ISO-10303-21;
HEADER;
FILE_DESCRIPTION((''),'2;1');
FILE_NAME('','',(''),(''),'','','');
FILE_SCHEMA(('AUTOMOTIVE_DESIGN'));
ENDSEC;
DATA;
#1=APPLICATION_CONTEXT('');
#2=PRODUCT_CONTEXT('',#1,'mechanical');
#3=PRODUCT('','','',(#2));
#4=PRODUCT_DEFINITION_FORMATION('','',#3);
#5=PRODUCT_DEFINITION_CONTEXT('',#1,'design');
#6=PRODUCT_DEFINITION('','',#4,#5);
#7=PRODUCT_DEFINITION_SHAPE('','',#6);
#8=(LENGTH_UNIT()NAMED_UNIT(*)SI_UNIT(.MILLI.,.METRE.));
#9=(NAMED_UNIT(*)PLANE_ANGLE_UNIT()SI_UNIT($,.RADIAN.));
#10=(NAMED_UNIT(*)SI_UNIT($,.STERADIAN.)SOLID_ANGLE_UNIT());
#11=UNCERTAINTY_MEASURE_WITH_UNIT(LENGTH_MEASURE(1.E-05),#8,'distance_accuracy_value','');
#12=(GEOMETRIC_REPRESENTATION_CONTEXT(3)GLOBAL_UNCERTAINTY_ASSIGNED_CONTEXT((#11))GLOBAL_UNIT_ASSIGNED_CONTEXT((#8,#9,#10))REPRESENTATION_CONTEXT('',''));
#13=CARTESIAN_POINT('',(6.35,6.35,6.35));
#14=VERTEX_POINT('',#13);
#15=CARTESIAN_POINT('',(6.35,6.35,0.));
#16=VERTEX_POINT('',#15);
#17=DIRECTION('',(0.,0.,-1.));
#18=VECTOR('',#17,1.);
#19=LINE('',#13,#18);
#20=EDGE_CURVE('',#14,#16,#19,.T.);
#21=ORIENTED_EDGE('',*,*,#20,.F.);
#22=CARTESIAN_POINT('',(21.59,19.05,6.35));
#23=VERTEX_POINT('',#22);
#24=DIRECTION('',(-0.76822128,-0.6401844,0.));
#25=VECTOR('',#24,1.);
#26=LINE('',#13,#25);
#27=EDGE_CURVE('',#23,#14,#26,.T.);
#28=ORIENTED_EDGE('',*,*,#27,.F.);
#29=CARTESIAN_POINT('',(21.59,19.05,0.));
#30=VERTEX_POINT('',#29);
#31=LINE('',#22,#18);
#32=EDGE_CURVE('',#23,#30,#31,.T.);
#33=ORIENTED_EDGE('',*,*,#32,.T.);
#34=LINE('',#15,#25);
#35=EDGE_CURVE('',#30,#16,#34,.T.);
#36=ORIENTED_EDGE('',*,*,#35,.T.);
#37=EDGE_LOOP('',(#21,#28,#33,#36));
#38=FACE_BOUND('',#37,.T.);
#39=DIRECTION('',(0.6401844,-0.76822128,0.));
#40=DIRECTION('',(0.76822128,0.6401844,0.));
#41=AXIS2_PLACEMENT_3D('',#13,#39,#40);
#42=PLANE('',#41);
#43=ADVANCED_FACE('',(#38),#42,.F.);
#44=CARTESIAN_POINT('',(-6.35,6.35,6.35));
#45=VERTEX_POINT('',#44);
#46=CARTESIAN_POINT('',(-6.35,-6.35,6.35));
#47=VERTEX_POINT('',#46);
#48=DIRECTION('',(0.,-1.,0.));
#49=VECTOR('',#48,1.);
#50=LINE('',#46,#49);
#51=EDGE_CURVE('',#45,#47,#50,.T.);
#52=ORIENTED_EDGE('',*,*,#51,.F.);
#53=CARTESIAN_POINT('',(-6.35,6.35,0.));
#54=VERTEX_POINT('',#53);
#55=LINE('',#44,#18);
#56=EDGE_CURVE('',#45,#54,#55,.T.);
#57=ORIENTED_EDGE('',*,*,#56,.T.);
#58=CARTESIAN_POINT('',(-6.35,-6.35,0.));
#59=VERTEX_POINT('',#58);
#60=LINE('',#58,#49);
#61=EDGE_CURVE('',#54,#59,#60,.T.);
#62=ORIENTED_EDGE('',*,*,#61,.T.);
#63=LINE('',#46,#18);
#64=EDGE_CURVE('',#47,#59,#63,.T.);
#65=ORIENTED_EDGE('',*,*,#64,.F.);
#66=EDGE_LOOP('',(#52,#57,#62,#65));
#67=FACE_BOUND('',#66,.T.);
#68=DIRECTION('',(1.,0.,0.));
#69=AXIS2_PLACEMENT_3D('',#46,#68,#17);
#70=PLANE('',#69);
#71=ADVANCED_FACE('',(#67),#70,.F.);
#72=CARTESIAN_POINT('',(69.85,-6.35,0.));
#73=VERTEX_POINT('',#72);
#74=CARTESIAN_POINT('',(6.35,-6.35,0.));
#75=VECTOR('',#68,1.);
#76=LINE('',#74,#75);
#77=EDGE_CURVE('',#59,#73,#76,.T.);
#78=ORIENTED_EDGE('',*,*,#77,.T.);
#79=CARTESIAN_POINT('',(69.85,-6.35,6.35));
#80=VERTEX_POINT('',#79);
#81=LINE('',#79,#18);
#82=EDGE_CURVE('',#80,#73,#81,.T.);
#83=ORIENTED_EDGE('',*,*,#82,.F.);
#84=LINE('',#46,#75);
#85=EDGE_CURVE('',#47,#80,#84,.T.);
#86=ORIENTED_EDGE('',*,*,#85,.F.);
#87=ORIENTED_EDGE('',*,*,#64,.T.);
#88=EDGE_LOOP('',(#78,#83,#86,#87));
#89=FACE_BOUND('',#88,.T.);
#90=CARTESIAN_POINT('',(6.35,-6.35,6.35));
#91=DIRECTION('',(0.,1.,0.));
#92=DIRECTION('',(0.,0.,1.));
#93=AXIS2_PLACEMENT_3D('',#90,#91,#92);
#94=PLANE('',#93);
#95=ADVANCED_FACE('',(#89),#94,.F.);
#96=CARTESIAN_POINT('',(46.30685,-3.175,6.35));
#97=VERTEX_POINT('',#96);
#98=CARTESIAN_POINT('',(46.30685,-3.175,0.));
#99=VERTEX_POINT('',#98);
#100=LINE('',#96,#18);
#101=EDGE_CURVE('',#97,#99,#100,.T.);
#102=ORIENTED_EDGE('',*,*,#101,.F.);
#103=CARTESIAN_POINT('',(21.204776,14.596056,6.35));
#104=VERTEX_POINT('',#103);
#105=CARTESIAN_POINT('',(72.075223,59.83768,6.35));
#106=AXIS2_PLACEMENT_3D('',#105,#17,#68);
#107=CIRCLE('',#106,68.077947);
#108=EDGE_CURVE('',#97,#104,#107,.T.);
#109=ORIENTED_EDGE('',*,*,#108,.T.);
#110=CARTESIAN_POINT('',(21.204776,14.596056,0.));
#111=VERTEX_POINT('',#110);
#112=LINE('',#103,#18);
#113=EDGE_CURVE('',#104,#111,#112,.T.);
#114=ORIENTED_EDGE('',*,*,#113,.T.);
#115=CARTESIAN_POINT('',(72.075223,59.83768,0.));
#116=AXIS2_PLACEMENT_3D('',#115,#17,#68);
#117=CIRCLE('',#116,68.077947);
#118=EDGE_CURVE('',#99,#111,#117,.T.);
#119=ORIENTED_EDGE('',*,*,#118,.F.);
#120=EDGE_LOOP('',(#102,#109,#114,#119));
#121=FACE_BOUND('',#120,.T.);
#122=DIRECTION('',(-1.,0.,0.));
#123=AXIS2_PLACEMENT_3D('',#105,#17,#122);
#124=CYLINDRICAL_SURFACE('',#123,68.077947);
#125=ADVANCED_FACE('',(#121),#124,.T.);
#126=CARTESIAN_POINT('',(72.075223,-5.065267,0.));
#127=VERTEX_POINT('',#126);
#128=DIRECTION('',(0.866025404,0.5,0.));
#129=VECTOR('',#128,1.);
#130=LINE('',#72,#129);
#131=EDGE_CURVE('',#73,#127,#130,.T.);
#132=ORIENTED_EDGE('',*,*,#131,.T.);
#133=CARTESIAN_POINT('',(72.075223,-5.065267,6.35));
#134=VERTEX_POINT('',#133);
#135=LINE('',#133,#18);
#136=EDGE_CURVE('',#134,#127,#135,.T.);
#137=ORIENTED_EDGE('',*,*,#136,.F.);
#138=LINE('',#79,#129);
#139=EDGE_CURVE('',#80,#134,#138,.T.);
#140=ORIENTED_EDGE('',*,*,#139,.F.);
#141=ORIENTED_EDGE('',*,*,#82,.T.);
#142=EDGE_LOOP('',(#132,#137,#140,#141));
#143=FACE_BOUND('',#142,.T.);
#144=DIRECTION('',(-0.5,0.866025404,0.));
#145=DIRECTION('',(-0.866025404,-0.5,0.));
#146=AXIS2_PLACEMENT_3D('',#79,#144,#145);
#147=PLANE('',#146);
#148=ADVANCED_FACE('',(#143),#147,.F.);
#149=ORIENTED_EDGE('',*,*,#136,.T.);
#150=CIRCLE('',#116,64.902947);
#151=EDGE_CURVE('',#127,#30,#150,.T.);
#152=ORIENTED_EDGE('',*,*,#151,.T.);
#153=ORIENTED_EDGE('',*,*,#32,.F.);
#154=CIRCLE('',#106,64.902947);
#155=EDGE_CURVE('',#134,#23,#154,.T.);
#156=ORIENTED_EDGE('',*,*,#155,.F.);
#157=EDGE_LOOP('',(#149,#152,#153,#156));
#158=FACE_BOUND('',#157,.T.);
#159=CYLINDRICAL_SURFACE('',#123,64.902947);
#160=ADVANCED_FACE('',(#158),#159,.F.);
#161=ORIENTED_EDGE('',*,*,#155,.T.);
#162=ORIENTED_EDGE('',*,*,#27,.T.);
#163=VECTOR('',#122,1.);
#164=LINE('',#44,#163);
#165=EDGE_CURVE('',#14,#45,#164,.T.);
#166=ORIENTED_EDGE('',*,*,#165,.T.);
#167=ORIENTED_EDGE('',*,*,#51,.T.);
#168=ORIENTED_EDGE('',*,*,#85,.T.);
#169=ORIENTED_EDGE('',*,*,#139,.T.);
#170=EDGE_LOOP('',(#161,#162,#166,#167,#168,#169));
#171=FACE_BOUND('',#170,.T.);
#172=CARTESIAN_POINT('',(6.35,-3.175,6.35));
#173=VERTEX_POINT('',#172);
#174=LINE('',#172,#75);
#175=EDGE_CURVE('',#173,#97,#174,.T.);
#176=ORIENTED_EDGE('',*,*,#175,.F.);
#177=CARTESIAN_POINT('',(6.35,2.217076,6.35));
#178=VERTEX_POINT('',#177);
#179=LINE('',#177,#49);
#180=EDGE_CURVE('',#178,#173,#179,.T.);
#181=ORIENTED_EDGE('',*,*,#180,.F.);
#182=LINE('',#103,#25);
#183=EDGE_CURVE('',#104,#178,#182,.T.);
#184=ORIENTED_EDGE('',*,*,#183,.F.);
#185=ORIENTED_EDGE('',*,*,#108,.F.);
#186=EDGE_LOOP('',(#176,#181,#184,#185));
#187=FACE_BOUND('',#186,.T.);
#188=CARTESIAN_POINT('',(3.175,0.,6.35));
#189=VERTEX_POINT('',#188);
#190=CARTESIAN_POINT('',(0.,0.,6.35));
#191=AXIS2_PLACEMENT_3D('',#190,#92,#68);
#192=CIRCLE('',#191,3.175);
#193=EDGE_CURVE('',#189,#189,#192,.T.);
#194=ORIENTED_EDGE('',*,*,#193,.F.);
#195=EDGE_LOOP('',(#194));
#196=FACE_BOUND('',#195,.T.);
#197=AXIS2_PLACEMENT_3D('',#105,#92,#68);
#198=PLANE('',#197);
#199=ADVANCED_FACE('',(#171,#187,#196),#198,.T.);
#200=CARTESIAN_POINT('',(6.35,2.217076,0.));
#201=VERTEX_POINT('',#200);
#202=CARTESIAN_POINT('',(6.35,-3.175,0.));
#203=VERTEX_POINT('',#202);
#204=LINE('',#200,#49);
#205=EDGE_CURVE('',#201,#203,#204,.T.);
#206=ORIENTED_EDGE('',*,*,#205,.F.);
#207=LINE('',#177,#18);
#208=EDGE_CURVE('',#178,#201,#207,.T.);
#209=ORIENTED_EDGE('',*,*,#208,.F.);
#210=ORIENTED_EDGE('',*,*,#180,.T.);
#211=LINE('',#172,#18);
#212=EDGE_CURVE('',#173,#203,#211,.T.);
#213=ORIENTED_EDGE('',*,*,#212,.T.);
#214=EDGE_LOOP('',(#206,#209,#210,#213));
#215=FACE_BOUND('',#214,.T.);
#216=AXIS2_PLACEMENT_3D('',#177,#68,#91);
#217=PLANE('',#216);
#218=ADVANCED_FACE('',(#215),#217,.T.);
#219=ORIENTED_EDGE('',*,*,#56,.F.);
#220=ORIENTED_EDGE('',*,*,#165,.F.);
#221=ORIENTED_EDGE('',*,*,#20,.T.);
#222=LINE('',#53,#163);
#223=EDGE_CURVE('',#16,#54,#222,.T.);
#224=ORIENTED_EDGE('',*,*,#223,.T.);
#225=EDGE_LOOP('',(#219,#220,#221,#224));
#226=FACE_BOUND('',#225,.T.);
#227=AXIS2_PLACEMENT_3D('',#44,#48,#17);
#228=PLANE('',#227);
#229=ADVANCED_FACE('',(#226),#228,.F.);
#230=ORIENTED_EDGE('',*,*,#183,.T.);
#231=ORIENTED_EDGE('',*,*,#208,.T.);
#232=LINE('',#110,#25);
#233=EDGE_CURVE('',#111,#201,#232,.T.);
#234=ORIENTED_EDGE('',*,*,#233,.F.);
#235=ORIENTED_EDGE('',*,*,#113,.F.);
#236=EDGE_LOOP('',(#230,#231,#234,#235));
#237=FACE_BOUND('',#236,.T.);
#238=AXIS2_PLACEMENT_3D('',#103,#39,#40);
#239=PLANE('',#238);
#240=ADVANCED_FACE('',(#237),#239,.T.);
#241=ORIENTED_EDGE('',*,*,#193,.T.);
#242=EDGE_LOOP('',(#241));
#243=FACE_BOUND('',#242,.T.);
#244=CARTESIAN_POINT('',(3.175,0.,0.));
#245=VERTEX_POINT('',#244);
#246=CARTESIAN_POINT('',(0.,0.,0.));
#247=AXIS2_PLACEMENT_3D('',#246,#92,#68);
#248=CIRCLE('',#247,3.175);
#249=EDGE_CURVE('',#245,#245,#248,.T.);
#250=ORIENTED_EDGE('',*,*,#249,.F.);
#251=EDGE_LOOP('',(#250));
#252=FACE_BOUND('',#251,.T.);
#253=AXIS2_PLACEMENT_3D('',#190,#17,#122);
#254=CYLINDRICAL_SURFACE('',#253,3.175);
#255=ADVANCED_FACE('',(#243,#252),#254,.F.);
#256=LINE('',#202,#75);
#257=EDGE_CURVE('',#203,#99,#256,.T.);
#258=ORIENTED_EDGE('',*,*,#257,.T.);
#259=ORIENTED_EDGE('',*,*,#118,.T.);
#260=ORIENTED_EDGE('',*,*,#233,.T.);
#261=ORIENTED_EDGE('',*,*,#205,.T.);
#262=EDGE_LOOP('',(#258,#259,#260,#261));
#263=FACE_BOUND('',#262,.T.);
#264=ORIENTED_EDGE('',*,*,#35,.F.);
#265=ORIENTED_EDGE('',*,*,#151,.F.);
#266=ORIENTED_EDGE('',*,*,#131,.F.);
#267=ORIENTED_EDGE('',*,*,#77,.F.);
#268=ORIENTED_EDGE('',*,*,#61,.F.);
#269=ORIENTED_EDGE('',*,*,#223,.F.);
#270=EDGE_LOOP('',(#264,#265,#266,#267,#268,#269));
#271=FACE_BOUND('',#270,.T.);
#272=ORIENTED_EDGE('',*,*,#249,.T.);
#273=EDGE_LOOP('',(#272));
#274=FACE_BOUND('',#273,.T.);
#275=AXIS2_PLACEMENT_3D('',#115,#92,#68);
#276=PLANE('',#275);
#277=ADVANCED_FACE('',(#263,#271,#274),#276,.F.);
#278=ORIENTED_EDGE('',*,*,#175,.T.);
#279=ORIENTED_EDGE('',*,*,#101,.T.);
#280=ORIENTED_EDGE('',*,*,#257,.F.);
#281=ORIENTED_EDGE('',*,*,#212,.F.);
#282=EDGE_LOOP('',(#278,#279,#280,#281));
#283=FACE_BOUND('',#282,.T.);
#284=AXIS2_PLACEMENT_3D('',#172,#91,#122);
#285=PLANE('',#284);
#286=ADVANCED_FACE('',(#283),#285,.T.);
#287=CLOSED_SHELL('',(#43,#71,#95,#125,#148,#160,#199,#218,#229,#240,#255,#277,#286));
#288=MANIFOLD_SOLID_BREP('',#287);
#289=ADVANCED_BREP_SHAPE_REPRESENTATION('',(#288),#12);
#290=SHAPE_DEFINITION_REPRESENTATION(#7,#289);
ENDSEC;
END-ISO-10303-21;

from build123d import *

# Parameters (mm, degrees)
SKETCH1_R           = 3.175
BOSS_EXTRUDE1_DEPTH = 6.35


with BuildPart() as part:
    # Sketch1 → Boss-Extrude1 (new body)
    with BuildSketch(Plane.XY):
        with BuildLine():
            Line((6.35, 6.35), (21.59, 19.05))
            ThreePointArc((21.59, 19.05), (44.100663682, 1.273044039), (72.075222755, -5.065267043))
            Line((72.075222755, -5.065267043), (69.85, -6.35))
            Line((69.85, -6.35), (6.35, -6.35))
            Line((6.35, -6.35), (-6.35, -6.35))
            Line((-6.35, -6.35), (-6.35, 6.35))
            Line((-6.35, 6.35), (6.35, 6.35))
        make_face()
        Circle(SKETCH1_R, mode=Mode.SUBTRACT)
        with BuildLine():
            Line((6.35, -3.175), (46.306849943, -3.175))
            ThreePointArc((46.306849943, -3.175), (32.739109843, 4.274408806), (21.204775898, 14.596056128))
            Line((21.204775898, 14.596056128), (6.35, 2.217076213))
            Line((6.35, 2.217076213), (6.35, -3.175))
        make_face(mode=Mode.SUBTRACT)
    extrude(amount=BOSS_EXTRUDE1_DEPTH)


solid = part.part
